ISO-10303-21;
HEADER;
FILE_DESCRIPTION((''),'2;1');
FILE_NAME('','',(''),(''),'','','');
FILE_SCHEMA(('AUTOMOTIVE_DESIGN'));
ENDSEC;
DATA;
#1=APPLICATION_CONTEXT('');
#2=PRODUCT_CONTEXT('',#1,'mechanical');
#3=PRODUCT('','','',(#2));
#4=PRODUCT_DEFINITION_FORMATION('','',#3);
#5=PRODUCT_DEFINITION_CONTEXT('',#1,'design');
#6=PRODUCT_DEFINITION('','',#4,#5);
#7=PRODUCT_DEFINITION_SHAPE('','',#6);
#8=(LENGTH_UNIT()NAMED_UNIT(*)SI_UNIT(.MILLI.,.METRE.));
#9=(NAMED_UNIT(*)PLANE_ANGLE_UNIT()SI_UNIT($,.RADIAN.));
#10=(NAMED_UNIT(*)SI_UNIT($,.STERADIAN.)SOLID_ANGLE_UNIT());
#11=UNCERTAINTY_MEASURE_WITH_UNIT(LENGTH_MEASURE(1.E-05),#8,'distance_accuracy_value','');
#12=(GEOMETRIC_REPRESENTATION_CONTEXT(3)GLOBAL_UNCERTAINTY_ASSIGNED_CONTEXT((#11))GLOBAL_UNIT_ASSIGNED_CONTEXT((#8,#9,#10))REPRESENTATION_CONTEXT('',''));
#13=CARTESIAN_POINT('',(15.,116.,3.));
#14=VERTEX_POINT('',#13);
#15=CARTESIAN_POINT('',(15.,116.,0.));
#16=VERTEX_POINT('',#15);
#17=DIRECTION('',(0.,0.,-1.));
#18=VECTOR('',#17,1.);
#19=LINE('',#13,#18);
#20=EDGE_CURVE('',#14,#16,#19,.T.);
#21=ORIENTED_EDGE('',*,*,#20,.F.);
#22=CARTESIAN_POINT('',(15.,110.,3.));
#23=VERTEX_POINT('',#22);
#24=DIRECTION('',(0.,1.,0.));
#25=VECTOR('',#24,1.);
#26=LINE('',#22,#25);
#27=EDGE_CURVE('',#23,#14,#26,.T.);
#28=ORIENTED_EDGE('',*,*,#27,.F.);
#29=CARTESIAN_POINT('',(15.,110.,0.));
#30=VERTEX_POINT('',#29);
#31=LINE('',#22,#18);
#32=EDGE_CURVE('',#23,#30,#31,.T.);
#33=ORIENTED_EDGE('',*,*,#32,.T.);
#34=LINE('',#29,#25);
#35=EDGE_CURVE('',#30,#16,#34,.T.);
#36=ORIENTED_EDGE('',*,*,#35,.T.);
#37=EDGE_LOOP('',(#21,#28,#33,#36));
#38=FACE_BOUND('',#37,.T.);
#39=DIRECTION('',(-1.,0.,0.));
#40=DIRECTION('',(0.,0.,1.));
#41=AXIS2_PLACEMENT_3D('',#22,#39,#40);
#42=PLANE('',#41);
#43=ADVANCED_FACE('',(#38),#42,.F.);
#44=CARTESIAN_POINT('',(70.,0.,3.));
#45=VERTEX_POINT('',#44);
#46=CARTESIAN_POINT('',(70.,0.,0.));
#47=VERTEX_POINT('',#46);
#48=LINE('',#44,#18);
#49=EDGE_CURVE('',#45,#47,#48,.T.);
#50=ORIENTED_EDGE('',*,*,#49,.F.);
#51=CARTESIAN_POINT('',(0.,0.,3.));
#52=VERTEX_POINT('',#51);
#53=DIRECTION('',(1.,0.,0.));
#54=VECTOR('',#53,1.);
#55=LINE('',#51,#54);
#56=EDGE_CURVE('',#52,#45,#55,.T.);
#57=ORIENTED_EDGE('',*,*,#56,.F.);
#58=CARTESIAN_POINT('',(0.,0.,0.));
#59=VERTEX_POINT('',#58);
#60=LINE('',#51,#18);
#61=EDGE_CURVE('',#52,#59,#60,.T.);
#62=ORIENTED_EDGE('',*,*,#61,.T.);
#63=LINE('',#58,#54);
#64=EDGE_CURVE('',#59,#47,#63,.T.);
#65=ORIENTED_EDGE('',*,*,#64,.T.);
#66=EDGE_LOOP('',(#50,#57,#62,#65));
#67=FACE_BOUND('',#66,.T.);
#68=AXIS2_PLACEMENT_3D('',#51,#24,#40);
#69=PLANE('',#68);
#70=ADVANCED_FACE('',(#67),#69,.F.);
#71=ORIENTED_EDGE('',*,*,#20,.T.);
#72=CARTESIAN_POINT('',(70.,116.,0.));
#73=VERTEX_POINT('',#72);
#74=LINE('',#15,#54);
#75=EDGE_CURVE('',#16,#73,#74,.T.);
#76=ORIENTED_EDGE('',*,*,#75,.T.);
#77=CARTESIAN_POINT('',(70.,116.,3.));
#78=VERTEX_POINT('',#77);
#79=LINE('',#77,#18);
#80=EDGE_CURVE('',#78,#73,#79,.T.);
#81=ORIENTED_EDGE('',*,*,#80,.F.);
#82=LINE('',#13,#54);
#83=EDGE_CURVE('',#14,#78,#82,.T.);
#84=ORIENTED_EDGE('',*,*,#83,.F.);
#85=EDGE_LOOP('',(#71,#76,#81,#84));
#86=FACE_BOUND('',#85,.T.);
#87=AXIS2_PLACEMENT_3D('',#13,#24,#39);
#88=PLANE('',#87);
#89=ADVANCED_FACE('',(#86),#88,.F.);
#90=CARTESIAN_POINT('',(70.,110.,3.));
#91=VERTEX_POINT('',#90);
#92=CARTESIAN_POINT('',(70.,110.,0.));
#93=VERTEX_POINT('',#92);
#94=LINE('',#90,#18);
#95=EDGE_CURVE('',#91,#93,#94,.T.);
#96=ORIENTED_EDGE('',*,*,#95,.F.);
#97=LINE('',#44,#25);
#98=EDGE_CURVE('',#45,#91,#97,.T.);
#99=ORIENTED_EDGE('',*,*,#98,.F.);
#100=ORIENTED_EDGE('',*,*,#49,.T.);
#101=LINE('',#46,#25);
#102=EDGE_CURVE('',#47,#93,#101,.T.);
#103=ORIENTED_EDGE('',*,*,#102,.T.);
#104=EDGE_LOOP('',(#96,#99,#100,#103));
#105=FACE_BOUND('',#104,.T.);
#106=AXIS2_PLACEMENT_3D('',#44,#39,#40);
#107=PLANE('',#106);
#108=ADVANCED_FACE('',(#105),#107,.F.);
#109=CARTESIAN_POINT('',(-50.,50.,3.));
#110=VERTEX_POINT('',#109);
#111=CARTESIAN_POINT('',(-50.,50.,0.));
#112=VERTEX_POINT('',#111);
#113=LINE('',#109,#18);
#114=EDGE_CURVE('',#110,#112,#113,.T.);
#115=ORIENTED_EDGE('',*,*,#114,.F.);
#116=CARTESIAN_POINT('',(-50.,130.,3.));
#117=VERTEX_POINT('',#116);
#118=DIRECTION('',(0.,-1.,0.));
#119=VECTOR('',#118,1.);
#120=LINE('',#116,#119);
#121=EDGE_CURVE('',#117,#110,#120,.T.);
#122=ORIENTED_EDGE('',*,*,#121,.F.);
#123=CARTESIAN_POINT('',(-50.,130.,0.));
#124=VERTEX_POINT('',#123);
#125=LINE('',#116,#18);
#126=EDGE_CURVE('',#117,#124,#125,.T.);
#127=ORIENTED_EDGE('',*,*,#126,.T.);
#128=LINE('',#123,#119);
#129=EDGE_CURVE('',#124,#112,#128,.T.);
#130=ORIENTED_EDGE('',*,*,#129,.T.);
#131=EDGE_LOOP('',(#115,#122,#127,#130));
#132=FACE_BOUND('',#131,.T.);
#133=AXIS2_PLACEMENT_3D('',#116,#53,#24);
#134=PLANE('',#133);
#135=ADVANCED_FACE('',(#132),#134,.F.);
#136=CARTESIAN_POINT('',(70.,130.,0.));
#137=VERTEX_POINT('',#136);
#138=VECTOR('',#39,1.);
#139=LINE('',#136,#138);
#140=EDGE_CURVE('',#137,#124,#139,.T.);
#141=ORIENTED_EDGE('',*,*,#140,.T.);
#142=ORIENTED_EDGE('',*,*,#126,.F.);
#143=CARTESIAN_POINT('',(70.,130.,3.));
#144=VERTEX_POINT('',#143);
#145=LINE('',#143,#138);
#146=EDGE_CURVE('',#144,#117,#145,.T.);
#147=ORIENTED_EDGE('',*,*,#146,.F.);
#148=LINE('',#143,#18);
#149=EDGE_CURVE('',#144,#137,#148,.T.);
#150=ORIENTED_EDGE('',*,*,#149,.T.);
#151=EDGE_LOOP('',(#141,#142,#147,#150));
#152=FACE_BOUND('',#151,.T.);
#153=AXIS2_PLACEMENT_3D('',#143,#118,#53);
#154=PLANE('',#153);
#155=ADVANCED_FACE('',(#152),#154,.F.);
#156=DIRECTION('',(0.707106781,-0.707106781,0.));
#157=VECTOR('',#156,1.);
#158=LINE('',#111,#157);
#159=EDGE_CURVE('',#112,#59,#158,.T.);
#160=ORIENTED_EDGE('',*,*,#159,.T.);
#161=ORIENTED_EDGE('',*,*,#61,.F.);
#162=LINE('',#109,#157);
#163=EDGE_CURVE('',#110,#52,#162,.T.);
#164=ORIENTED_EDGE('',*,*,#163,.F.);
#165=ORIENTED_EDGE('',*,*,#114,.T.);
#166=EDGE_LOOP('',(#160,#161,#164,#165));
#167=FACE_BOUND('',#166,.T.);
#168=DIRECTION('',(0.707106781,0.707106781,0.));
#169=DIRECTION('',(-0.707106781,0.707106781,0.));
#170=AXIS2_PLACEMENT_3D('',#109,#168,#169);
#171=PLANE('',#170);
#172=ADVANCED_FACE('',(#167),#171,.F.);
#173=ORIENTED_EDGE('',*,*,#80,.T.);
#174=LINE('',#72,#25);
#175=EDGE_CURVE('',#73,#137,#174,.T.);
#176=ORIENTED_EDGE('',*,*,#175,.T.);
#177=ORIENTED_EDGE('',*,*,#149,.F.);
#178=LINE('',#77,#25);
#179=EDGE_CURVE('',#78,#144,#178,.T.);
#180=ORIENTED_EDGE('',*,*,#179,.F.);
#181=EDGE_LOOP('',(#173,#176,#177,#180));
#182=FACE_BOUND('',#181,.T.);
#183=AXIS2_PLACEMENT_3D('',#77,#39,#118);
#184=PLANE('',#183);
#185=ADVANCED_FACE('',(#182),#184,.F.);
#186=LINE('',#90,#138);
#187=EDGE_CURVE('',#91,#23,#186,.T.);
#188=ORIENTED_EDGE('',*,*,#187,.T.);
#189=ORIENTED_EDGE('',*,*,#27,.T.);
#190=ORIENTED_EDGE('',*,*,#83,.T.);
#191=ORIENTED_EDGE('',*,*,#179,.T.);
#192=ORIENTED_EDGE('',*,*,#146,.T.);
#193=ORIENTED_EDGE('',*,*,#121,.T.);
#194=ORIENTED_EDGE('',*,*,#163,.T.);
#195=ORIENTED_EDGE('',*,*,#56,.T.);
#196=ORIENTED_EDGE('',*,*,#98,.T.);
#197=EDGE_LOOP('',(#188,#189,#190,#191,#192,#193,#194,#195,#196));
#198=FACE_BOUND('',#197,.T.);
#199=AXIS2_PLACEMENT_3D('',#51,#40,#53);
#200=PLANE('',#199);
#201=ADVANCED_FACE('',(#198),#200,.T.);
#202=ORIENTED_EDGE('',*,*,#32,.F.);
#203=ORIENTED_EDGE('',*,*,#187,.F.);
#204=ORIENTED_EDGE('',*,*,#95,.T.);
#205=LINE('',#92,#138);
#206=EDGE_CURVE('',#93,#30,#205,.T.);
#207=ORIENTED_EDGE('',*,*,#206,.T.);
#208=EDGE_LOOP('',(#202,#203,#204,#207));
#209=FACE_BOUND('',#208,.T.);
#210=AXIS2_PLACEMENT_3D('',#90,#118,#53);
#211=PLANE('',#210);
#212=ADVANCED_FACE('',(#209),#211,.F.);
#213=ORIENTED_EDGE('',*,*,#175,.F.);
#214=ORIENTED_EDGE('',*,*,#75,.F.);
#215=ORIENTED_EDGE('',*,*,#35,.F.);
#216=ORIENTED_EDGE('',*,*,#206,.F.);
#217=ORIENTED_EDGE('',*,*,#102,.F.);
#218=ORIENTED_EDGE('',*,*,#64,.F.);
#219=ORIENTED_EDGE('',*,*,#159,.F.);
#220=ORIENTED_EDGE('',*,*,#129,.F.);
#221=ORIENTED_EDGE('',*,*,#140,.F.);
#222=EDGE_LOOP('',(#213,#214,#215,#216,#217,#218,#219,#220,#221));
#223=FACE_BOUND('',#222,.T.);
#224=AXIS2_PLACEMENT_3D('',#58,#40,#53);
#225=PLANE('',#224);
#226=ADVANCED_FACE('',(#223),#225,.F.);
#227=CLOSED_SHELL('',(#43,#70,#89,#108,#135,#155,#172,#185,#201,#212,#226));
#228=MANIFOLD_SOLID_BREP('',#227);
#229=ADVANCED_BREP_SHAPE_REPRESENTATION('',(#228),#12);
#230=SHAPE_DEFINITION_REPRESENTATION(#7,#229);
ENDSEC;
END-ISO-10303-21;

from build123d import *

# Parameters (mm, degrees)
AUFSATZ_LINEAR_AUSTRAGEN1_DEPTH = 3


with BuildPart() as part:
    # Skizze1 → Aufsatz-Linear austragen1 (new body)
    with BuildSketch(Plane.XY):
        Polygon((0, 0), (70, 0), (70, 110), (15, 110), (15, 116), (70, 116), (70, 130), (-50, 130), (-50, 50), align=None)
    extrude(amount=AUFSATZ_LINEAR_AUSTRAGEN1_DEPTH)


solid = part.part
